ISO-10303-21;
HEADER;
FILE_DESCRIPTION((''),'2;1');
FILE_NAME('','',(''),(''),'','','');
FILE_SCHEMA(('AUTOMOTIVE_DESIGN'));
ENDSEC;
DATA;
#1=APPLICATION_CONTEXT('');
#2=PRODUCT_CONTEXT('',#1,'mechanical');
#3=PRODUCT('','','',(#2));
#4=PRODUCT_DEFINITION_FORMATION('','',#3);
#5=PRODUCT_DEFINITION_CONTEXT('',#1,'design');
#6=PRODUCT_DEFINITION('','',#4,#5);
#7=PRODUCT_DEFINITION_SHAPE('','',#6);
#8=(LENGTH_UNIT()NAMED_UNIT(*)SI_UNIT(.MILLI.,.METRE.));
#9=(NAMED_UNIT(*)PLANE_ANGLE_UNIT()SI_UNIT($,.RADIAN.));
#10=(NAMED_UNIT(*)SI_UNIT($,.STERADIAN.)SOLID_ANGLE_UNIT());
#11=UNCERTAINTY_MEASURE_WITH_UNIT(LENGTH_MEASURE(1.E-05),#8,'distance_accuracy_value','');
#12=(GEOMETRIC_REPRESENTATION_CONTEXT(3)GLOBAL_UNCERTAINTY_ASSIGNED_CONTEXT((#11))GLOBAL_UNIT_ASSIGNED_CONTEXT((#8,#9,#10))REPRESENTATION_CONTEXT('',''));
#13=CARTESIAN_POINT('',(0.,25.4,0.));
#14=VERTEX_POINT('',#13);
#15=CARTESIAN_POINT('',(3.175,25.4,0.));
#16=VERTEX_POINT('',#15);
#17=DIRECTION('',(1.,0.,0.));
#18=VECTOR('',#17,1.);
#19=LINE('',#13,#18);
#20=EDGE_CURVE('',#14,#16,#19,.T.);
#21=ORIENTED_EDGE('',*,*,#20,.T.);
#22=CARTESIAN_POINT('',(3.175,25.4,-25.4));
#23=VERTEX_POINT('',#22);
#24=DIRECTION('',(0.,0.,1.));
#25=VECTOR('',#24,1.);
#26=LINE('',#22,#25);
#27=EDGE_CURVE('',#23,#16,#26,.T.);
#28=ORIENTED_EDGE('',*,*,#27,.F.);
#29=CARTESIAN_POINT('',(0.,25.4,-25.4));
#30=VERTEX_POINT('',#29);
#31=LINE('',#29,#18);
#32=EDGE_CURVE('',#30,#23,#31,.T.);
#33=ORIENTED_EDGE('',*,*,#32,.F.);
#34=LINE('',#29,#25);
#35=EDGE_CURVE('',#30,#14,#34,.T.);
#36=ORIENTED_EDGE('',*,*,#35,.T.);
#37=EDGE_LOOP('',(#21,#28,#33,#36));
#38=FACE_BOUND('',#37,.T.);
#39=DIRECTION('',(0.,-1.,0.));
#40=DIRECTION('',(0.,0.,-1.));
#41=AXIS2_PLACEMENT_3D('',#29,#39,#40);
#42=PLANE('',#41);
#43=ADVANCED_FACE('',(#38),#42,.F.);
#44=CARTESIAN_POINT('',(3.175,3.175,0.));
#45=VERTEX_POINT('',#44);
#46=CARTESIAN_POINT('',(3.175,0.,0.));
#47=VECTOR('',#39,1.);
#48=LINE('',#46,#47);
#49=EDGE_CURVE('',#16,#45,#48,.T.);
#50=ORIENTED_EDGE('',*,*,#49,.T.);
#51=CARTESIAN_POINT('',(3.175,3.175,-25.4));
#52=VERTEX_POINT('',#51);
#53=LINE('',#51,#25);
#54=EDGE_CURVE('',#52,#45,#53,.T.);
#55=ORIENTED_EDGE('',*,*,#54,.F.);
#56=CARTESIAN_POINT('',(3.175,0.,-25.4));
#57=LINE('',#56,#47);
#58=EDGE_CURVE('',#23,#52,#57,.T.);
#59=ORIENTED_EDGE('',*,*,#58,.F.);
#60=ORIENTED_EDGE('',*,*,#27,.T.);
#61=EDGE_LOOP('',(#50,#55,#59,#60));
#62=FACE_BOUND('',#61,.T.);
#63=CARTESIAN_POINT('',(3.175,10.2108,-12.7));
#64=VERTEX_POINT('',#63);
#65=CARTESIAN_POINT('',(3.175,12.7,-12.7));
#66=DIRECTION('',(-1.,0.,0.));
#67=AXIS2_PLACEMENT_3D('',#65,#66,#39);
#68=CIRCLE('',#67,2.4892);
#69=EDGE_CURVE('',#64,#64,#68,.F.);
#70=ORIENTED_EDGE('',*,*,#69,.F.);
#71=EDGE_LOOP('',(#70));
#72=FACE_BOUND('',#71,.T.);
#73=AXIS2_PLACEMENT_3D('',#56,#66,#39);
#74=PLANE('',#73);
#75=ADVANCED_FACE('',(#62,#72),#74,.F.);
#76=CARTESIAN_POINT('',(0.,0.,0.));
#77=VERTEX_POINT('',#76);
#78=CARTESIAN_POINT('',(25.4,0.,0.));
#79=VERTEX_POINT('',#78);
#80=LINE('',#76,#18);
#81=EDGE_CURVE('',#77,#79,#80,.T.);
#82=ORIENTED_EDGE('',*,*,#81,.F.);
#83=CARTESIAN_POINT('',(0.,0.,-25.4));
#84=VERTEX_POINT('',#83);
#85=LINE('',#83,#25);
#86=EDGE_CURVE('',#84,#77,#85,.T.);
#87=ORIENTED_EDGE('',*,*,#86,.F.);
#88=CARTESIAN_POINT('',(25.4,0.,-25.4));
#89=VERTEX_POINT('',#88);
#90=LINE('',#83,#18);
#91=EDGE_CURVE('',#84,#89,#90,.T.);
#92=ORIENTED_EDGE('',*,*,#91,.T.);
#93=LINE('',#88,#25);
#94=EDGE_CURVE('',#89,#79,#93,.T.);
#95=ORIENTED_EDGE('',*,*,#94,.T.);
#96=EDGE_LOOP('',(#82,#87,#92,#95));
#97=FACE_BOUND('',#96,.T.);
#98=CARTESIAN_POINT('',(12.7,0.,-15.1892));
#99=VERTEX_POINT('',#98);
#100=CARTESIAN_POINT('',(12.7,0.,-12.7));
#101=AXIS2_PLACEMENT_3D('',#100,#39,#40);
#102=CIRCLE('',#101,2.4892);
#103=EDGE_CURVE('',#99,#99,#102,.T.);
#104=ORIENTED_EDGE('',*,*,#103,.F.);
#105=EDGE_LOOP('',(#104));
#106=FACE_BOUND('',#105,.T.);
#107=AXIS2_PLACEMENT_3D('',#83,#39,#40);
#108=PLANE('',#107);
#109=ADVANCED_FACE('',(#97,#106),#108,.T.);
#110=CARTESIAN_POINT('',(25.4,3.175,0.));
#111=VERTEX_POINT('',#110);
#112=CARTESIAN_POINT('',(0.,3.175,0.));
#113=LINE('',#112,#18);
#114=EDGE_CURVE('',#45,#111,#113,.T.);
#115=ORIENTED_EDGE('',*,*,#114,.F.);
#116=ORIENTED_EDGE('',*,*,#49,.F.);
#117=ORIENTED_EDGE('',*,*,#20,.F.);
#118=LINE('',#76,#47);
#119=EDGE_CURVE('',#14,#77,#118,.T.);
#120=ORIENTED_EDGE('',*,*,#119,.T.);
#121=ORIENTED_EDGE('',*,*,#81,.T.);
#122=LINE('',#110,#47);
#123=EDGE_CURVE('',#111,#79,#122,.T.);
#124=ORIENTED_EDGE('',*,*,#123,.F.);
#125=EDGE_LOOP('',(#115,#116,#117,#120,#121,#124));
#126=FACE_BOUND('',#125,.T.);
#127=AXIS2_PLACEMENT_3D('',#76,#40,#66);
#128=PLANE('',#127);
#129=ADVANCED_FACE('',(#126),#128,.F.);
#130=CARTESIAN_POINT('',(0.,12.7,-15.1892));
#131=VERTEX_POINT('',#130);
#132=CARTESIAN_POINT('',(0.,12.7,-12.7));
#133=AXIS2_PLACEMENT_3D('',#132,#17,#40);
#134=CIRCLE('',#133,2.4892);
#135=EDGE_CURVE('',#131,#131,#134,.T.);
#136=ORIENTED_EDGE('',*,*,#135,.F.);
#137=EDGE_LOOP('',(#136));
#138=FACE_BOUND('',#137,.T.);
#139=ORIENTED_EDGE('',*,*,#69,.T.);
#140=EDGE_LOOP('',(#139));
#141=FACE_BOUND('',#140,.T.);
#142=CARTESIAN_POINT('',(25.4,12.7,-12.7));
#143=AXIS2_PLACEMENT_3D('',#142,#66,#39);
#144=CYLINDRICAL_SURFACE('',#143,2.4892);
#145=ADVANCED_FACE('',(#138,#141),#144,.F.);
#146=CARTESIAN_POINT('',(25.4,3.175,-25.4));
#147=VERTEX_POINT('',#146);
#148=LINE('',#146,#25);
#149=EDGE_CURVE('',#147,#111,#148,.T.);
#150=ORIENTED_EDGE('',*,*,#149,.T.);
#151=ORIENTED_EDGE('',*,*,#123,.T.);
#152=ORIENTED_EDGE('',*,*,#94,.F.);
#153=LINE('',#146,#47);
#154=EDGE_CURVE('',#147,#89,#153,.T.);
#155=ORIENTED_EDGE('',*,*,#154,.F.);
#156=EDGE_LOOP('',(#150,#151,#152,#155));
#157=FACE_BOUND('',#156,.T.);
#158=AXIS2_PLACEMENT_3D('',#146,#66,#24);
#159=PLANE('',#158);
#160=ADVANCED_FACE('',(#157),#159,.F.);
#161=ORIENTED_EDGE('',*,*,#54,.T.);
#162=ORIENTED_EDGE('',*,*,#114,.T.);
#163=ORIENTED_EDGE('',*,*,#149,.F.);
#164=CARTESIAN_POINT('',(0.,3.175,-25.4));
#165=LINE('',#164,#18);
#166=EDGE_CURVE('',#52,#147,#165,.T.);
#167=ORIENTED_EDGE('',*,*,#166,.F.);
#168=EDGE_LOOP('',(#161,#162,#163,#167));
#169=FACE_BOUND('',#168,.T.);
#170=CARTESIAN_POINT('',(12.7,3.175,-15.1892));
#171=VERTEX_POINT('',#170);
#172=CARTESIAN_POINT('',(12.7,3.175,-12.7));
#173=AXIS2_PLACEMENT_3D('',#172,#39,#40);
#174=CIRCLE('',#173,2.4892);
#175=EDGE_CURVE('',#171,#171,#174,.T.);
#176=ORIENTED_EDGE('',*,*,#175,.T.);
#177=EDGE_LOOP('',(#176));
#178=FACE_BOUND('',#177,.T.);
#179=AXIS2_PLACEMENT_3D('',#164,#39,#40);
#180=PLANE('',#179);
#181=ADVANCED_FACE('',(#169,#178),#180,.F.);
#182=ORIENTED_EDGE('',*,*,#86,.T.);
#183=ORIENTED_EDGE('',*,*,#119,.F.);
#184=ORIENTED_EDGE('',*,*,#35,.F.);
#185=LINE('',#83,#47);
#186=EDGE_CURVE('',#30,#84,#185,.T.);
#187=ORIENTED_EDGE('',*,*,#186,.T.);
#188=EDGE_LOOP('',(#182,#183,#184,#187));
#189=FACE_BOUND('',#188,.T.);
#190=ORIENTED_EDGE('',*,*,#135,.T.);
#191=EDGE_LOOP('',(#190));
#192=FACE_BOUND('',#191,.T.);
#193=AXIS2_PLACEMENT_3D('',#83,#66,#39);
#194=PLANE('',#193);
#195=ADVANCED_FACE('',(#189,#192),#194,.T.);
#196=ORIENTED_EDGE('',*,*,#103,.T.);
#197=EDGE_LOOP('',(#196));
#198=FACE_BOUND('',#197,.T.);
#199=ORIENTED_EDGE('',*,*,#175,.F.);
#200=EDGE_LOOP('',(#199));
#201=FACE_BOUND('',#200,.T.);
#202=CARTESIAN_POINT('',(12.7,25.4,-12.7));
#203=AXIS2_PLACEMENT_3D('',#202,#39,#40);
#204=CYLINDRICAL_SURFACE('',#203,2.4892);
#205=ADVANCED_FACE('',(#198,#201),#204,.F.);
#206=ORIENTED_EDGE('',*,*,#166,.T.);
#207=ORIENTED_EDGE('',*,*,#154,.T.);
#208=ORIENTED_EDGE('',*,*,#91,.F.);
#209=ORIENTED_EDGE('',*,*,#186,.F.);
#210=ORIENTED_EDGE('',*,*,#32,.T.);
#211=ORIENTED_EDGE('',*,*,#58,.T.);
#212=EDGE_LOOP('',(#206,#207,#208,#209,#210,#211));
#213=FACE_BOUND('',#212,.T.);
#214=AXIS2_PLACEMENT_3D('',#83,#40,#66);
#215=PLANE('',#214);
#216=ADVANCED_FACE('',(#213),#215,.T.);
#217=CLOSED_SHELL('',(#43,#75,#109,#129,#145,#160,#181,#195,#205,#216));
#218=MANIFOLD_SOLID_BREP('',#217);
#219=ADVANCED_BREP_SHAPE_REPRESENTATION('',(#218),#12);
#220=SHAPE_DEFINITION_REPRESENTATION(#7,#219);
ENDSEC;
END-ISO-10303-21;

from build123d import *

# Parameters (mm, degrees)
EXTRUDE_THIN1_DEPTH = 25.4
SKETCH2_R           = 2.4892
CUT_EXTRUDE1_DEPTH  = 26.4


with BuildPart() as part:
    # Sketch1 → Extrude-Thin1 (new body)
    with BuildSketch(Plane.XY):
        Polygon((25.4, 0), (0, 0), (0, 25.4), (3.175, 25.4), (3.175, 3.175), (25.4, 3.175), align=None)
    extrude(amount=-EXTRUDE_THIN1_DEPTH)

    # Sketch2 → Cut-Extrude1 (cut, through all)
    with BuildSketch(Plane.XZ):
        with Locations((12.7, -12.7)):
            Circle(SKETCH2_R)
    cut_extrude1 = extrude(amount=-CUT_EXTRUDE1_DEPTH, mode=Mode.SUBTRACT)

    # Mirror1: Cut-Extrude1 across plane
    add(cut_extrude1.mirror(Plane(origin=(0, 0, 0), x_dir=(0, 0, 1), z_dir=(0.707106781, -0.707106781, 0))), mode=Mode.SUBTRACT)


solid = part.part
